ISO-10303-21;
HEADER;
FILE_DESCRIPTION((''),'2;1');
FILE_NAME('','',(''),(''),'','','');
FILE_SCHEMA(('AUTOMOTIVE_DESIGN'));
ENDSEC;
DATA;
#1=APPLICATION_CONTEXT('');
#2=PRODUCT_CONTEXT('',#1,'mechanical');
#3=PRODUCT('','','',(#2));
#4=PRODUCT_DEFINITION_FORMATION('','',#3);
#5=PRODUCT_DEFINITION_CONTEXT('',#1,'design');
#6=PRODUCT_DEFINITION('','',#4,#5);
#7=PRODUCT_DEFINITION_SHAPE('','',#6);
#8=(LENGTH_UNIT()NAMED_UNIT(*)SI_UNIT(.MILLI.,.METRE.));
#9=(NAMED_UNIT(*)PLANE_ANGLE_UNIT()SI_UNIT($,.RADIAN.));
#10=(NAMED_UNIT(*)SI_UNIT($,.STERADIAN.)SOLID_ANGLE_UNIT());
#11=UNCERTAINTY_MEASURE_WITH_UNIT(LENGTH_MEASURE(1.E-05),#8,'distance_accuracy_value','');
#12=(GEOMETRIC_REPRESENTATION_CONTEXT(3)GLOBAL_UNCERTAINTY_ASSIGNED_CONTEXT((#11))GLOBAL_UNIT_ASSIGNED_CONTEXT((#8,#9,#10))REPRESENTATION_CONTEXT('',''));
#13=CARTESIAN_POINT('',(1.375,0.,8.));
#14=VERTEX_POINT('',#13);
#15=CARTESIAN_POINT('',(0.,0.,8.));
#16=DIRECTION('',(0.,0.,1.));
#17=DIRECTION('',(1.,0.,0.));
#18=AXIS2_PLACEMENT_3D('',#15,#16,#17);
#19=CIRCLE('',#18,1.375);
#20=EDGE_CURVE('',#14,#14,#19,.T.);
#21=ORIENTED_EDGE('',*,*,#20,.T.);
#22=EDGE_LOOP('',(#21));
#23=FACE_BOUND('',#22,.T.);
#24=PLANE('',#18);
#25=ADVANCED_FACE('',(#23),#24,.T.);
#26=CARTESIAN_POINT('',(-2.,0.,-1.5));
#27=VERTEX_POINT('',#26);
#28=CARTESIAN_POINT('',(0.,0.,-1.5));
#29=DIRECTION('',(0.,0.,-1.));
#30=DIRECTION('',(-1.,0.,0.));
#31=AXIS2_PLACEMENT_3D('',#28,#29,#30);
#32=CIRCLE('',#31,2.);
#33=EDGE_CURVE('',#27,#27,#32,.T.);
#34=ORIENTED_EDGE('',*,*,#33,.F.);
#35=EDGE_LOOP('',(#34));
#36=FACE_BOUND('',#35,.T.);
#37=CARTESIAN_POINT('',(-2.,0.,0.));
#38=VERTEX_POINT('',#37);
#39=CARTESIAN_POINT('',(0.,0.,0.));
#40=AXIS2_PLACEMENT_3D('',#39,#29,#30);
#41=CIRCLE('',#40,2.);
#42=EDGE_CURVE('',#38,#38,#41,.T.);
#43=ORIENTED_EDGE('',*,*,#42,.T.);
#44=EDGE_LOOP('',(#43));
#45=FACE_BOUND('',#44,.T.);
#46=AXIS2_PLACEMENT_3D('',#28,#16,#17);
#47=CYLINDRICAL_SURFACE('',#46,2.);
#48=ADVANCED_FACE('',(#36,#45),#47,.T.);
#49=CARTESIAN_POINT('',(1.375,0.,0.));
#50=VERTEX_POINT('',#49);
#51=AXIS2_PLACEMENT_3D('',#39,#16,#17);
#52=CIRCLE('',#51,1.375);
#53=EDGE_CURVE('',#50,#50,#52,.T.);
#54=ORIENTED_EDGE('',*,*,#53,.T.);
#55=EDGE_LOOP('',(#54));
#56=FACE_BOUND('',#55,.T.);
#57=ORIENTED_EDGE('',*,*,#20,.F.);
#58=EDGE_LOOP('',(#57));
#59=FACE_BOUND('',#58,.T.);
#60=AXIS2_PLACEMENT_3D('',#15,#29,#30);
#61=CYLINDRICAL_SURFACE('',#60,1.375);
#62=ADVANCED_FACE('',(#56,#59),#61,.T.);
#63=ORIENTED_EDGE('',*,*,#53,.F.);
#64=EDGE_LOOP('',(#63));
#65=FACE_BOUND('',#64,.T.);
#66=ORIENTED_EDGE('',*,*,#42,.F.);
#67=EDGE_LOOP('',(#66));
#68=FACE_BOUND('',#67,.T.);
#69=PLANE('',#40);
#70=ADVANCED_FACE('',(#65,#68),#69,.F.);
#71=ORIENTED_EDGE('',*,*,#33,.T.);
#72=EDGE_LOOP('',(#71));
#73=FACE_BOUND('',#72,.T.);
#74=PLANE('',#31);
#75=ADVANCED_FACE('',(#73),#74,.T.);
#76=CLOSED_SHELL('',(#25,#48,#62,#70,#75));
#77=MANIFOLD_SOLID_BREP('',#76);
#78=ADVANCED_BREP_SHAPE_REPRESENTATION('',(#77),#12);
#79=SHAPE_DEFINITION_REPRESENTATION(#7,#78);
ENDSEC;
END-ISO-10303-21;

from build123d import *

# Parameters (mm, degrees)
SKETCH2_R           = 1.375
BOSS_EXTRUDE1_DEPTH = 8
SKETCH3_R           = 2
BOSS_EXTRUDE2_DEPTH = 1.5


with BuildPart() as part:
    # Sketch2 → Boss-Extrude1 (new body)
    with BuildSketch(Plane.XY):
        Circle(SKETCH2_R)
    extrude(amount=BOSS_EXTRUDE1_DEPTH)

    # Sketch3 → Boss-Extrude2 (add)
    with BuildSketch(Plane(origin=(0, 0, 0), x_dir=(-1, 0, 0), z_dir=(0, 0, -1))):
        Circle(SKETCH3_R)
    extrude(amount=BOSS_EXTRUDE2_DEPTH)


solid = part.part
